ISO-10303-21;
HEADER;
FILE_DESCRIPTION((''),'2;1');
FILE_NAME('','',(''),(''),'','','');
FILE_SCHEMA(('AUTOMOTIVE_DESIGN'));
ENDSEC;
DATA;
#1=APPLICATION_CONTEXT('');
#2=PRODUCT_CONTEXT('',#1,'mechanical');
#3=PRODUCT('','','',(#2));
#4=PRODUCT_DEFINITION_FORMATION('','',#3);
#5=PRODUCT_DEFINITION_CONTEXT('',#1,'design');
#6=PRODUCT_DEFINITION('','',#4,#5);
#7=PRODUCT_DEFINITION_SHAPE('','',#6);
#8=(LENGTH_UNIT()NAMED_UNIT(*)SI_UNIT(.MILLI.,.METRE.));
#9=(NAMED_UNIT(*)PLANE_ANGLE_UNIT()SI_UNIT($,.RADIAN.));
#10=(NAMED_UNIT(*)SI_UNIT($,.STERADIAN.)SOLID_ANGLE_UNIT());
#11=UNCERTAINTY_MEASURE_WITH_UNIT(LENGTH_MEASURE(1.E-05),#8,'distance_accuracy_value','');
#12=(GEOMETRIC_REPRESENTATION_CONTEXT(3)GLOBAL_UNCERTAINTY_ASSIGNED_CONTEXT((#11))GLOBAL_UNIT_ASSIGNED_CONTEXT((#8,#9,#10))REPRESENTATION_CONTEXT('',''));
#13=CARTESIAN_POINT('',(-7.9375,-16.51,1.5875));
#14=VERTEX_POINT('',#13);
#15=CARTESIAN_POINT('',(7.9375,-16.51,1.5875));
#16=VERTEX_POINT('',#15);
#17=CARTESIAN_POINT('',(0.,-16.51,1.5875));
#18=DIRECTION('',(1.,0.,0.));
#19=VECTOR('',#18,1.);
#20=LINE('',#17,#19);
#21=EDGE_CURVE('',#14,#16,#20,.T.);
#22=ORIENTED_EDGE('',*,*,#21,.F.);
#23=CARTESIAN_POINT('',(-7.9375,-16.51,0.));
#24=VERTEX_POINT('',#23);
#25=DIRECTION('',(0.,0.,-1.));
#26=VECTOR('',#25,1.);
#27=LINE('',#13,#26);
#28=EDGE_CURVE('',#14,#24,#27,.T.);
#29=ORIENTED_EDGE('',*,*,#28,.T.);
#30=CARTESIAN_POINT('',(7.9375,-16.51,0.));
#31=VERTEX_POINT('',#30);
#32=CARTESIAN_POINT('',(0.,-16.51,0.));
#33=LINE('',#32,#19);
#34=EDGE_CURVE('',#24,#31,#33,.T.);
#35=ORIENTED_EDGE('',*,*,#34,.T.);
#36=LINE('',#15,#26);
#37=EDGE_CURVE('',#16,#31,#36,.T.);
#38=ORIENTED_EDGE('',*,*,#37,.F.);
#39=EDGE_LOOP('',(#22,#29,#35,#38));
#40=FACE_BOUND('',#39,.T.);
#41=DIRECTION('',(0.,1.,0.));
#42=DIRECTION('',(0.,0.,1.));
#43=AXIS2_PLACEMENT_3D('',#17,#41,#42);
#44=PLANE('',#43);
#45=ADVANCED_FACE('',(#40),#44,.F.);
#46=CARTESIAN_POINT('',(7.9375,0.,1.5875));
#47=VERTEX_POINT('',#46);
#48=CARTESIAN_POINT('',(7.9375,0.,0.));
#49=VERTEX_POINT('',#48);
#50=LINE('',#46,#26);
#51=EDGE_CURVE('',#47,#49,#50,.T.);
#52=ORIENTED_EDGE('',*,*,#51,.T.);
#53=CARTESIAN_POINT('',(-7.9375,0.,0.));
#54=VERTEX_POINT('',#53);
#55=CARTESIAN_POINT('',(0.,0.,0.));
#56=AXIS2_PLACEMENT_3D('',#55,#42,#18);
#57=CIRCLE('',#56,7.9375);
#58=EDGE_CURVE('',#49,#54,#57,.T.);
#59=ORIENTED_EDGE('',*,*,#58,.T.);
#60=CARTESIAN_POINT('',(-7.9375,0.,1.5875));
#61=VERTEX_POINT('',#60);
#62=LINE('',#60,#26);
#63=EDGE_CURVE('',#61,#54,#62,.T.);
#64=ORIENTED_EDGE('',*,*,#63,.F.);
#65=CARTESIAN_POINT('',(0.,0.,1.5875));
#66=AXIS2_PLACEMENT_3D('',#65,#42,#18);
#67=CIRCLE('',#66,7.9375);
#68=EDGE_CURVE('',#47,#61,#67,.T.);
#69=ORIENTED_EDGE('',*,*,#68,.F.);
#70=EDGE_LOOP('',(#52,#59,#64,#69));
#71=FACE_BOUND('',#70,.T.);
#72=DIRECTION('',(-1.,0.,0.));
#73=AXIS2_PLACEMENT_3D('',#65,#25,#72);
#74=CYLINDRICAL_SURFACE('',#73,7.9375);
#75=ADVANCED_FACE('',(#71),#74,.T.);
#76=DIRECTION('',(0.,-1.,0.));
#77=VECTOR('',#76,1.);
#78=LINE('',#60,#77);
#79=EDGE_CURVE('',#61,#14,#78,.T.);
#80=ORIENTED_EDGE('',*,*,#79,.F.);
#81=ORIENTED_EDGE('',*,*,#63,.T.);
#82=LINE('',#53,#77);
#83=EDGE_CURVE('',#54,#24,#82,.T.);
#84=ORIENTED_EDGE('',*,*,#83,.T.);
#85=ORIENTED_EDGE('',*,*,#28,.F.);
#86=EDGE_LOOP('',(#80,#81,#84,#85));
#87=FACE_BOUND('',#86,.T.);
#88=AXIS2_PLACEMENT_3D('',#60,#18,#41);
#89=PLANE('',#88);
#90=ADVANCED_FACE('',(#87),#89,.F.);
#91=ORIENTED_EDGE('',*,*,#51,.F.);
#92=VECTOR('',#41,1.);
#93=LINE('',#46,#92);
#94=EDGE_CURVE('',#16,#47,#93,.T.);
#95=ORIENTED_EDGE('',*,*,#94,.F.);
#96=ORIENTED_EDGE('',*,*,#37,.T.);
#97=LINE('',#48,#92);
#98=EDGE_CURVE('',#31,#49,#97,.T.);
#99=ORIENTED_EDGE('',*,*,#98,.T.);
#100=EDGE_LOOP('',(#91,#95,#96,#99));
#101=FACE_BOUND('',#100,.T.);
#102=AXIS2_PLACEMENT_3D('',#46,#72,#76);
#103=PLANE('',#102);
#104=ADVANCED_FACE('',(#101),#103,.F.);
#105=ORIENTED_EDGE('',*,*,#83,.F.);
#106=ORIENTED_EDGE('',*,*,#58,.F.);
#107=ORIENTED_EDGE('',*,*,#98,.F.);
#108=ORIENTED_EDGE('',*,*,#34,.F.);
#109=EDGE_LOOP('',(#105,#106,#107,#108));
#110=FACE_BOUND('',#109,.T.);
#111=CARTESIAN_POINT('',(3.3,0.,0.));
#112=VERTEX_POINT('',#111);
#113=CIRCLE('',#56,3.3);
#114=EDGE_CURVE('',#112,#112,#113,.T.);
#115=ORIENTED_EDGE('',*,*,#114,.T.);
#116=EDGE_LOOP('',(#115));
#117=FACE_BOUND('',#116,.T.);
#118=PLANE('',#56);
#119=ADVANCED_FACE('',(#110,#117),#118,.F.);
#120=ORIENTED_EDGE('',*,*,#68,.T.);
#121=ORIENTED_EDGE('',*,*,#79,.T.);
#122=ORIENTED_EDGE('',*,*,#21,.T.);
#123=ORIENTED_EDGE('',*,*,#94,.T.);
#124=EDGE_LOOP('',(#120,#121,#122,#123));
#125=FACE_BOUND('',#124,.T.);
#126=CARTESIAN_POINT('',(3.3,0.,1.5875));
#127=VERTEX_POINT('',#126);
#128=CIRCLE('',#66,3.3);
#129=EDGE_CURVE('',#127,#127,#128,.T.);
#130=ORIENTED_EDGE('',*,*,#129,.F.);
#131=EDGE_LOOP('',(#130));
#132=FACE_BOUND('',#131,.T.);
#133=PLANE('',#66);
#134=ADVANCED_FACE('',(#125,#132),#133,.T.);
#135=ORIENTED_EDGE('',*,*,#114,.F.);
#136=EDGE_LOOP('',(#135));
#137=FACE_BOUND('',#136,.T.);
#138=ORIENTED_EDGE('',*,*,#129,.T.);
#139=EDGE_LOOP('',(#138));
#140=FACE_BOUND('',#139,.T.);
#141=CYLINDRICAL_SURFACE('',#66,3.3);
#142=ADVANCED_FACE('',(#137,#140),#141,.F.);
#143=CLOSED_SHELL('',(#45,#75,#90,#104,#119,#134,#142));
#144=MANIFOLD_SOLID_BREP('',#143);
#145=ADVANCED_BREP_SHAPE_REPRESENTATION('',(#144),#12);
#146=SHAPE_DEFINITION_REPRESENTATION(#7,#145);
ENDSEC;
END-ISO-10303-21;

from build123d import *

# Parameters (mm, degrees)
SKETCH1_R            = 7.9375
SKETCH1_R_2          = 3
BOSS_EXTRUDE1_DEPTH  = 1.5875
M6_CLEARANCE_HOLE1_D = 6.6


with BuildPart() as part:
    # Sketch1 → Boss-Extrude1 (new body)
    # profile 1 of 3: a face of its own
    with BuildSketch(Plane.XY):
        Circle(SKETCH1_R)
        Circle(SKETCH1_R_2, mode=Mode.SUBTRACT)
    # profile 2 of 3: a face of its own
    with BuildSketch(Plane.XY):
        with BuildLine():
            ThreePointArc((7.9375, 0), (0, -7.9375), (-7.9375, 0))
            Line((-7.9375, 0), (-7.9375, -16.51))
            Line((-7.9375, -16.51), (7.9375, -16.51))
            Line((7.9375, -16.51), (7.9375, 0))
        make_face()
    # profile 3 of 3: a face of its own
    with BuildSketch(Plane.XY):
        Circle(SKETCH1_R_2)
    extrude(amount=BOSS_EXTRUDE1_DEPTH)

    # M6 Clearance Hole1 (through all)
    with Locations(Plane.XY.offset(1.5875)):
        with Locations((0, 0)):
            Hole(M6_CLEARANCE_HOLE1_D / 2)


solid = part.part
